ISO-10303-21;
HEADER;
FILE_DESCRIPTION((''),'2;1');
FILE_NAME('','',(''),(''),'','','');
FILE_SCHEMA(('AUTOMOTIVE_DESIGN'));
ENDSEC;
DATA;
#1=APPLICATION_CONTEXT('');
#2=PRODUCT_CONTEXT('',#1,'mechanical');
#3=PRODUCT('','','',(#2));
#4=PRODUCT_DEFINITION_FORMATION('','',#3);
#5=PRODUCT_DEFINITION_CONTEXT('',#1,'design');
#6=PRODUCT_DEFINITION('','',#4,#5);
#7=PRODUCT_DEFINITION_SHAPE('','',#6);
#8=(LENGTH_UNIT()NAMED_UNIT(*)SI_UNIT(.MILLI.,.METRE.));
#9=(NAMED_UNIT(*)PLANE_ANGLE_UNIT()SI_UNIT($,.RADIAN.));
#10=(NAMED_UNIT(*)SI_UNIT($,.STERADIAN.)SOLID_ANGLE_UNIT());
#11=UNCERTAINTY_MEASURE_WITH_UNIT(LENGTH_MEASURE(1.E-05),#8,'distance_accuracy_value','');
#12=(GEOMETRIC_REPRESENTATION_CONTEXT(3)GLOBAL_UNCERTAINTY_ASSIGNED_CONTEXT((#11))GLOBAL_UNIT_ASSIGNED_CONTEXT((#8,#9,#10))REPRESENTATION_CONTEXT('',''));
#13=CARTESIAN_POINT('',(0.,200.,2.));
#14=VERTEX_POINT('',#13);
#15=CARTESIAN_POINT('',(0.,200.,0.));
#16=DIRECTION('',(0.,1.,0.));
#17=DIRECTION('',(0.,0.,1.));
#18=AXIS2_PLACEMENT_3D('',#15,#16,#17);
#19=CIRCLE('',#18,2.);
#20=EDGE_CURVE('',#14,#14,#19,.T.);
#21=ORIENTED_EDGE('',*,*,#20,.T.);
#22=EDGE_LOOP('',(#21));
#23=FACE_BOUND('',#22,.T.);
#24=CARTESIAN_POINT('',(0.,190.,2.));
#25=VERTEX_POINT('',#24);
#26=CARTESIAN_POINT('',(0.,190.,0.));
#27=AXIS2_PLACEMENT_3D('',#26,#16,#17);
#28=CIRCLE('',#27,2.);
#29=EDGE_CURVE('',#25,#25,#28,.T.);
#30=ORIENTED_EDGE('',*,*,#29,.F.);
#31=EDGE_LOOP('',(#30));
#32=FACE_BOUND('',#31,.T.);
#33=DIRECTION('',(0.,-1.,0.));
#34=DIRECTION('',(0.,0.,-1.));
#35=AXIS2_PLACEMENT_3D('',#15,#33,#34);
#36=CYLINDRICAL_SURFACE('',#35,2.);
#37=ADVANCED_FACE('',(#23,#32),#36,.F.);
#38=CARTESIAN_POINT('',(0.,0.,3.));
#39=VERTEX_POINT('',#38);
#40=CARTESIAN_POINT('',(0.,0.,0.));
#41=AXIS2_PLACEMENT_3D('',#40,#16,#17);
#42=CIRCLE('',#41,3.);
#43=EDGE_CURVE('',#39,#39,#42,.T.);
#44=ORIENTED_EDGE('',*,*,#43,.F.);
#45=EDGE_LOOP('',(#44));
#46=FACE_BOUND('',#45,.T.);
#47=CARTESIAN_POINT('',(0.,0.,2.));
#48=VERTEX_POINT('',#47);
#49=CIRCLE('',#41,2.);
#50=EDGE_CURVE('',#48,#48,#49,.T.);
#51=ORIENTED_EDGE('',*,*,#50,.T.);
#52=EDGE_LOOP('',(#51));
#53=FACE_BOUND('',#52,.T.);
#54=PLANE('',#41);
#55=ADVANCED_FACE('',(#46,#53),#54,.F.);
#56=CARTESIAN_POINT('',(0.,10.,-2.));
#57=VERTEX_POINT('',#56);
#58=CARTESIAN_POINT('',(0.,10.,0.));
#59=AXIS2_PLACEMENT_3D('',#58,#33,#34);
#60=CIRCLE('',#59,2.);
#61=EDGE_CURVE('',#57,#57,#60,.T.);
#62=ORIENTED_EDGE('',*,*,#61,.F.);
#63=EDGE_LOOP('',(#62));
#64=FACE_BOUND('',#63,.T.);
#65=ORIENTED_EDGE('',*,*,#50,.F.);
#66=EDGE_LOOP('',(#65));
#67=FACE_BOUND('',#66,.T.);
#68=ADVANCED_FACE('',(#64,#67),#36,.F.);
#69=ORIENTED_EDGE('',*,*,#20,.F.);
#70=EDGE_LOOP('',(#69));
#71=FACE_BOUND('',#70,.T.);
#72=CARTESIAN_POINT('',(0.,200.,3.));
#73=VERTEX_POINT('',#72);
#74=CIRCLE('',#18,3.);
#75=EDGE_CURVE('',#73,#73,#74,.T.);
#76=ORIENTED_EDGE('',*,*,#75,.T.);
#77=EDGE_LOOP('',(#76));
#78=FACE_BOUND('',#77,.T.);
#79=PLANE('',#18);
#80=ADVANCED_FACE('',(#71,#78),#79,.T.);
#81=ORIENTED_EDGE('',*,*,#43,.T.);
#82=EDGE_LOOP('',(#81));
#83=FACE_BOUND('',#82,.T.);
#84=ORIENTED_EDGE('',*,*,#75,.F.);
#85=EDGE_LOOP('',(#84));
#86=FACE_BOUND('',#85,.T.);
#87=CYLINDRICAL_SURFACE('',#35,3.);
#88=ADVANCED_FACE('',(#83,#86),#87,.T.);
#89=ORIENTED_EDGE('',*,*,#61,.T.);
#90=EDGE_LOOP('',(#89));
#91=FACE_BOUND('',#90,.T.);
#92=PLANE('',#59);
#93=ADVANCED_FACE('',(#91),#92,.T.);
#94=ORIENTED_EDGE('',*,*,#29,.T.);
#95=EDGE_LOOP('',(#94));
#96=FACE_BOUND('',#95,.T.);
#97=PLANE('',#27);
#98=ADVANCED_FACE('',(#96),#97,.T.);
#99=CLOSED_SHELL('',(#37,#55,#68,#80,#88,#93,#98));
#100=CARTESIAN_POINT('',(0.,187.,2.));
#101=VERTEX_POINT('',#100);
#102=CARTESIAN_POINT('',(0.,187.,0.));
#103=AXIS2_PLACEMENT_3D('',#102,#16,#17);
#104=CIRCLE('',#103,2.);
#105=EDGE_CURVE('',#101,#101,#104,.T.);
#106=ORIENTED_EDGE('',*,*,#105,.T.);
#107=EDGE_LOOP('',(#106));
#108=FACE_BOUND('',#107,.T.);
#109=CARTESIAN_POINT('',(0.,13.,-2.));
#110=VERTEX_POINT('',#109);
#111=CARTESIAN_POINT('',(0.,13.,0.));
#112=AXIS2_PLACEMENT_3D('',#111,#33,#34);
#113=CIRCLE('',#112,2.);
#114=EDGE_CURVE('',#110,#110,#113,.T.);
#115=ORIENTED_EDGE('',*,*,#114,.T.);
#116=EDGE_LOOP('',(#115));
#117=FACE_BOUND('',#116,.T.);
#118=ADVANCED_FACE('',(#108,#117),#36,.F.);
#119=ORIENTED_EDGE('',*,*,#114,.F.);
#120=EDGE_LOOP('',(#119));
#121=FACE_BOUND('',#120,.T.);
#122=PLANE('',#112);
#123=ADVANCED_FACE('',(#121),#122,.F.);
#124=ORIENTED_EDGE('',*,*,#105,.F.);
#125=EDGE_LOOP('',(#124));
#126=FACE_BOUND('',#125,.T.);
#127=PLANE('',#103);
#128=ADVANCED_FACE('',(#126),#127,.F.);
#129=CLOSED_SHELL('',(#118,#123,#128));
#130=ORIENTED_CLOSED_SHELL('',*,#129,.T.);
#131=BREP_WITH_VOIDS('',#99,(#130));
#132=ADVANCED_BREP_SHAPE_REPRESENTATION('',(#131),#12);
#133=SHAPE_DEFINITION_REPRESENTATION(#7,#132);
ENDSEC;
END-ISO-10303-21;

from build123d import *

# Parameters (mm, degrees)
SKETCH_1_R      = 3
SKETCH_1_R_2    = 2
EXTRUDE_1_DEPTH = 200
EXTRUDE_START   = -10
SKETCH_2_R      = 2
EXTRUDE_2_DEPTH = 3
SKETCH_3_R      = 2
EXTRUDE_3_DEPTH = 3


with BuildPart() as part:
    # 스케치1 → 보스-돌출1 (new body)
    with BuildSketch(Plane(origin=(0, 0, 0), x_dir=(1, 0, 0), z_dir=(0, 1, 0))):
        Circle(SKETCH_1_R)
        Circle(SKETCH_1_R_2, mode=Mode.SUBTRACT)
    extrude(amount=EXTRUDE_1_DEPTH)

    # 스케치2 → 보스-돌출2 (add)
    with BuildSketch(Plane.XZ.offset(EXTRUDE_START)):
        Circle(SKETCH_2_R)
    extrude(amount=-EXTRUDE_2_DEPTH)

    # 스케치3 → 보스-돌출3 (add)
    with BuildSketch(Plane(origin=(0, 200, 0), x_dir=(1, 0, 0), z_dir=(0, 1, 0)).offset(EXTRUDE_START)):
        Circle(SKETCH_3_R)
    extrude(amount=-EXTRUDE_3_DEPTH)


solid = part.part
